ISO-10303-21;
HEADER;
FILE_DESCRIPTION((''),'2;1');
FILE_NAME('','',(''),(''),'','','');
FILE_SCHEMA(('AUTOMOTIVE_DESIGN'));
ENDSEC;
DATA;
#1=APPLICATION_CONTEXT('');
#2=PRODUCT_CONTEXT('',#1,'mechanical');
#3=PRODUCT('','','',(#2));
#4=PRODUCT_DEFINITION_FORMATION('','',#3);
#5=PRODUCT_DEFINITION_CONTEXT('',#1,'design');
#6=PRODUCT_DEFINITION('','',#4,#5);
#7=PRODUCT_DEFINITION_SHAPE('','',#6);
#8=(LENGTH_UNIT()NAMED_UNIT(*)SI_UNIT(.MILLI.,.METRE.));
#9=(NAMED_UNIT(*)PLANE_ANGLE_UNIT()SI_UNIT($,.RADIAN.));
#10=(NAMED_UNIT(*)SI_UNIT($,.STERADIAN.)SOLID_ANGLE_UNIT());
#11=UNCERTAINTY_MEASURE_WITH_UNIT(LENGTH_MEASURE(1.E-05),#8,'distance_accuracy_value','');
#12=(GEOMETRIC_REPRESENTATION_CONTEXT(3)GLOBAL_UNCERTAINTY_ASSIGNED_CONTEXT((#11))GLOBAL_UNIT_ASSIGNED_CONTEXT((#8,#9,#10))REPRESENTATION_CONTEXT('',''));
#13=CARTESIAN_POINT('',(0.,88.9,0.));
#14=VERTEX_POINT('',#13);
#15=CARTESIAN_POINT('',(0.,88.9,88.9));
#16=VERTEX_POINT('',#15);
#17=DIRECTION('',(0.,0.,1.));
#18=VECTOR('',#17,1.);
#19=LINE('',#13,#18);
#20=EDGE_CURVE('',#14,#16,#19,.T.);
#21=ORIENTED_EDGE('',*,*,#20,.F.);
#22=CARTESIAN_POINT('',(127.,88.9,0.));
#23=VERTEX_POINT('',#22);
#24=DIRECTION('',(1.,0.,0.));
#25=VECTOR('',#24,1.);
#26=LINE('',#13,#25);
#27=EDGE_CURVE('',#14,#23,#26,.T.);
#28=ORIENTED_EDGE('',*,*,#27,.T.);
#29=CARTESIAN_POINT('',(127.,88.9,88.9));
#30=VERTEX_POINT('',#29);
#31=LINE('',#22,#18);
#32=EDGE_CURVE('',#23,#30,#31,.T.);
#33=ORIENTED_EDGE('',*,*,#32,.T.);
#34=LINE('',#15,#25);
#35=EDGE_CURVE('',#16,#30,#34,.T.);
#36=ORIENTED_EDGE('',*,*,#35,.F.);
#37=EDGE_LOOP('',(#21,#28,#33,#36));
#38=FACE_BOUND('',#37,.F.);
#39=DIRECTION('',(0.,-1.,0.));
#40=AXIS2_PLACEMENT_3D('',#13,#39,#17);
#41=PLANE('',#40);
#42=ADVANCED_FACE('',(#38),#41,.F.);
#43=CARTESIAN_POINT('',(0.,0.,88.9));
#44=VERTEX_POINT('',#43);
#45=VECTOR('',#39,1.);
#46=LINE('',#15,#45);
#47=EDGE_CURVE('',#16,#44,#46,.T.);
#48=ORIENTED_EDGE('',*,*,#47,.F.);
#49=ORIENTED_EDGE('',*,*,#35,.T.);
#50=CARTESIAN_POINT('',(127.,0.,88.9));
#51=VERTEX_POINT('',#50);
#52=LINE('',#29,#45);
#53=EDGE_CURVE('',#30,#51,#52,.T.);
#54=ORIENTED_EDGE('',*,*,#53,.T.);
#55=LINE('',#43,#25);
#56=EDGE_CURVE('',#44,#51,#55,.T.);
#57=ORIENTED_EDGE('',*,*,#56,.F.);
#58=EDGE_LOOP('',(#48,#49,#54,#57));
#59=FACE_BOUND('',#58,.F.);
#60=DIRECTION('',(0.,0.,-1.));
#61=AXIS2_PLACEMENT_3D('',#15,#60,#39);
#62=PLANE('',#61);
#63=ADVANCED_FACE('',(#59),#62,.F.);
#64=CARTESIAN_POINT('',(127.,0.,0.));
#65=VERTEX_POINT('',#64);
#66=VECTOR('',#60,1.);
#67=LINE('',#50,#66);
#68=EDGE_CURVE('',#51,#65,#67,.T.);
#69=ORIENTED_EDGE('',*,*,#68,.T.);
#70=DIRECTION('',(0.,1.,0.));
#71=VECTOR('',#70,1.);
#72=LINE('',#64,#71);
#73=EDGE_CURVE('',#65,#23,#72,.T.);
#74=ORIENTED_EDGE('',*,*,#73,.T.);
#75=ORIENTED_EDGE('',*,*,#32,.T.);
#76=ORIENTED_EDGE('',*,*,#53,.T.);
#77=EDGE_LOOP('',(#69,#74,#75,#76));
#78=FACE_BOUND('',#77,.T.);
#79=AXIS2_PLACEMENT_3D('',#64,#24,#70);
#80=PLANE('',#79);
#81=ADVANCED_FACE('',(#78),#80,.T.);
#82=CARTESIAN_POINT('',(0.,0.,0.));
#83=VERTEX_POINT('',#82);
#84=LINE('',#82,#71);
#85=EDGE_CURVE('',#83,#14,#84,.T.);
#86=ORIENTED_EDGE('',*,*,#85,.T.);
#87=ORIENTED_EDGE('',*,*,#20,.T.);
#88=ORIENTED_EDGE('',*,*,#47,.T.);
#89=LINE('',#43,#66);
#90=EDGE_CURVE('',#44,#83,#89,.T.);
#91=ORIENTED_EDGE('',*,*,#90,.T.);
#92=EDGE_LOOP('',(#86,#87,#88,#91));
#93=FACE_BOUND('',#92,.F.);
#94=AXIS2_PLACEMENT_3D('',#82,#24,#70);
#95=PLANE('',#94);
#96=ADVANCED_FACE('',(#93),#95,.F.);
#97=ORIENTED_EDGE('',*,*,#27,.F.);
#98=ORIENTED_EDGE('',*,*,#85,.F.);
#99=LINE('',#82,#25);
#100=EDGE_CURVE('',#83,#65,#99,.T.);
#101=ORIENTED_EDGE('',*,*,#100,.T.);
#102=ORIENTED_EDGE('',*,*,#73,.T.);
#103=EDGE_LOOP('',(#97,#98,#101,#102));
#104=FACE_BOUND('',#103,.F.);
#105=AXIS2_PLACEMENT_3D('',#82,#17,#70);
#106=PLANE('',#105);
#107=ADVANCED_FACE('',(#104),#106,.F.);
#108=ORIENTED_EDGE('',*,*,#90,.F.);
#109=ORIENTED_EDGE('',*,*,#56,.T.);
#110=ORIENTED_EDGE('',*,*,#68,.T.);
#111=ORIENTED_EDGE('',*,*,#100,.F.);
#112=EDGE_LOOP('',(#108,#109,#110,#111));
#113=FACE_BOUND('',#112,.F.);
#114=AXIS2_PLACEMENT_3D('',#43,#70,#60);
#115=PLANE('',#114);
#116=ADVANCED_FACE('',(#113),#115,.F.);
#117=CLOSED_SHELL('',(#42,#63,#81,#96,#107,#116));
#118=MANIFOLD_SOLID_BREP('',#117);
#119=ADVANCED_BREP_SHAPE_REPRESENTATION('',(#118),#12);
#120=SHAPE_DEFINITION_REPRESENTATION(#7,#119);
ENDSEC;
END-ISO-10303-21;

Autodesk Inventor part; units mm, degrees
ref_plane "YZ Plane" through (0, 0, 0) normal (1, 0, 0) x (0, 1, 0)
ref_plane "XZ Plane" through (0, 0, 0) normal (0, 1, 0) x (-1, 0, 0)
ref_plane "XY Plane" through (0, 0, 0) normal (0, 0, 1) x (1, 0, 0)
sketch "Sketch1" plane through (0, 0, 0) normal (1, 0, 0) x (0, 1, 0)
  line L0 (0, 0) -> (88.9, 0)
  line L1 (88.9, 0) -> (88.9, 88.9)
  line L2 (88.9, 88.9) -> (0, 88.9)
  line L3 (0, 88.9) -> (0, 0)
  dimension "d0" = 88.9
  dimension "d1" = 88.9
extrude "Extrusion1" add sketch "Sketch1" along normal blind 127
properties part number "4-10" material "Limestone"
